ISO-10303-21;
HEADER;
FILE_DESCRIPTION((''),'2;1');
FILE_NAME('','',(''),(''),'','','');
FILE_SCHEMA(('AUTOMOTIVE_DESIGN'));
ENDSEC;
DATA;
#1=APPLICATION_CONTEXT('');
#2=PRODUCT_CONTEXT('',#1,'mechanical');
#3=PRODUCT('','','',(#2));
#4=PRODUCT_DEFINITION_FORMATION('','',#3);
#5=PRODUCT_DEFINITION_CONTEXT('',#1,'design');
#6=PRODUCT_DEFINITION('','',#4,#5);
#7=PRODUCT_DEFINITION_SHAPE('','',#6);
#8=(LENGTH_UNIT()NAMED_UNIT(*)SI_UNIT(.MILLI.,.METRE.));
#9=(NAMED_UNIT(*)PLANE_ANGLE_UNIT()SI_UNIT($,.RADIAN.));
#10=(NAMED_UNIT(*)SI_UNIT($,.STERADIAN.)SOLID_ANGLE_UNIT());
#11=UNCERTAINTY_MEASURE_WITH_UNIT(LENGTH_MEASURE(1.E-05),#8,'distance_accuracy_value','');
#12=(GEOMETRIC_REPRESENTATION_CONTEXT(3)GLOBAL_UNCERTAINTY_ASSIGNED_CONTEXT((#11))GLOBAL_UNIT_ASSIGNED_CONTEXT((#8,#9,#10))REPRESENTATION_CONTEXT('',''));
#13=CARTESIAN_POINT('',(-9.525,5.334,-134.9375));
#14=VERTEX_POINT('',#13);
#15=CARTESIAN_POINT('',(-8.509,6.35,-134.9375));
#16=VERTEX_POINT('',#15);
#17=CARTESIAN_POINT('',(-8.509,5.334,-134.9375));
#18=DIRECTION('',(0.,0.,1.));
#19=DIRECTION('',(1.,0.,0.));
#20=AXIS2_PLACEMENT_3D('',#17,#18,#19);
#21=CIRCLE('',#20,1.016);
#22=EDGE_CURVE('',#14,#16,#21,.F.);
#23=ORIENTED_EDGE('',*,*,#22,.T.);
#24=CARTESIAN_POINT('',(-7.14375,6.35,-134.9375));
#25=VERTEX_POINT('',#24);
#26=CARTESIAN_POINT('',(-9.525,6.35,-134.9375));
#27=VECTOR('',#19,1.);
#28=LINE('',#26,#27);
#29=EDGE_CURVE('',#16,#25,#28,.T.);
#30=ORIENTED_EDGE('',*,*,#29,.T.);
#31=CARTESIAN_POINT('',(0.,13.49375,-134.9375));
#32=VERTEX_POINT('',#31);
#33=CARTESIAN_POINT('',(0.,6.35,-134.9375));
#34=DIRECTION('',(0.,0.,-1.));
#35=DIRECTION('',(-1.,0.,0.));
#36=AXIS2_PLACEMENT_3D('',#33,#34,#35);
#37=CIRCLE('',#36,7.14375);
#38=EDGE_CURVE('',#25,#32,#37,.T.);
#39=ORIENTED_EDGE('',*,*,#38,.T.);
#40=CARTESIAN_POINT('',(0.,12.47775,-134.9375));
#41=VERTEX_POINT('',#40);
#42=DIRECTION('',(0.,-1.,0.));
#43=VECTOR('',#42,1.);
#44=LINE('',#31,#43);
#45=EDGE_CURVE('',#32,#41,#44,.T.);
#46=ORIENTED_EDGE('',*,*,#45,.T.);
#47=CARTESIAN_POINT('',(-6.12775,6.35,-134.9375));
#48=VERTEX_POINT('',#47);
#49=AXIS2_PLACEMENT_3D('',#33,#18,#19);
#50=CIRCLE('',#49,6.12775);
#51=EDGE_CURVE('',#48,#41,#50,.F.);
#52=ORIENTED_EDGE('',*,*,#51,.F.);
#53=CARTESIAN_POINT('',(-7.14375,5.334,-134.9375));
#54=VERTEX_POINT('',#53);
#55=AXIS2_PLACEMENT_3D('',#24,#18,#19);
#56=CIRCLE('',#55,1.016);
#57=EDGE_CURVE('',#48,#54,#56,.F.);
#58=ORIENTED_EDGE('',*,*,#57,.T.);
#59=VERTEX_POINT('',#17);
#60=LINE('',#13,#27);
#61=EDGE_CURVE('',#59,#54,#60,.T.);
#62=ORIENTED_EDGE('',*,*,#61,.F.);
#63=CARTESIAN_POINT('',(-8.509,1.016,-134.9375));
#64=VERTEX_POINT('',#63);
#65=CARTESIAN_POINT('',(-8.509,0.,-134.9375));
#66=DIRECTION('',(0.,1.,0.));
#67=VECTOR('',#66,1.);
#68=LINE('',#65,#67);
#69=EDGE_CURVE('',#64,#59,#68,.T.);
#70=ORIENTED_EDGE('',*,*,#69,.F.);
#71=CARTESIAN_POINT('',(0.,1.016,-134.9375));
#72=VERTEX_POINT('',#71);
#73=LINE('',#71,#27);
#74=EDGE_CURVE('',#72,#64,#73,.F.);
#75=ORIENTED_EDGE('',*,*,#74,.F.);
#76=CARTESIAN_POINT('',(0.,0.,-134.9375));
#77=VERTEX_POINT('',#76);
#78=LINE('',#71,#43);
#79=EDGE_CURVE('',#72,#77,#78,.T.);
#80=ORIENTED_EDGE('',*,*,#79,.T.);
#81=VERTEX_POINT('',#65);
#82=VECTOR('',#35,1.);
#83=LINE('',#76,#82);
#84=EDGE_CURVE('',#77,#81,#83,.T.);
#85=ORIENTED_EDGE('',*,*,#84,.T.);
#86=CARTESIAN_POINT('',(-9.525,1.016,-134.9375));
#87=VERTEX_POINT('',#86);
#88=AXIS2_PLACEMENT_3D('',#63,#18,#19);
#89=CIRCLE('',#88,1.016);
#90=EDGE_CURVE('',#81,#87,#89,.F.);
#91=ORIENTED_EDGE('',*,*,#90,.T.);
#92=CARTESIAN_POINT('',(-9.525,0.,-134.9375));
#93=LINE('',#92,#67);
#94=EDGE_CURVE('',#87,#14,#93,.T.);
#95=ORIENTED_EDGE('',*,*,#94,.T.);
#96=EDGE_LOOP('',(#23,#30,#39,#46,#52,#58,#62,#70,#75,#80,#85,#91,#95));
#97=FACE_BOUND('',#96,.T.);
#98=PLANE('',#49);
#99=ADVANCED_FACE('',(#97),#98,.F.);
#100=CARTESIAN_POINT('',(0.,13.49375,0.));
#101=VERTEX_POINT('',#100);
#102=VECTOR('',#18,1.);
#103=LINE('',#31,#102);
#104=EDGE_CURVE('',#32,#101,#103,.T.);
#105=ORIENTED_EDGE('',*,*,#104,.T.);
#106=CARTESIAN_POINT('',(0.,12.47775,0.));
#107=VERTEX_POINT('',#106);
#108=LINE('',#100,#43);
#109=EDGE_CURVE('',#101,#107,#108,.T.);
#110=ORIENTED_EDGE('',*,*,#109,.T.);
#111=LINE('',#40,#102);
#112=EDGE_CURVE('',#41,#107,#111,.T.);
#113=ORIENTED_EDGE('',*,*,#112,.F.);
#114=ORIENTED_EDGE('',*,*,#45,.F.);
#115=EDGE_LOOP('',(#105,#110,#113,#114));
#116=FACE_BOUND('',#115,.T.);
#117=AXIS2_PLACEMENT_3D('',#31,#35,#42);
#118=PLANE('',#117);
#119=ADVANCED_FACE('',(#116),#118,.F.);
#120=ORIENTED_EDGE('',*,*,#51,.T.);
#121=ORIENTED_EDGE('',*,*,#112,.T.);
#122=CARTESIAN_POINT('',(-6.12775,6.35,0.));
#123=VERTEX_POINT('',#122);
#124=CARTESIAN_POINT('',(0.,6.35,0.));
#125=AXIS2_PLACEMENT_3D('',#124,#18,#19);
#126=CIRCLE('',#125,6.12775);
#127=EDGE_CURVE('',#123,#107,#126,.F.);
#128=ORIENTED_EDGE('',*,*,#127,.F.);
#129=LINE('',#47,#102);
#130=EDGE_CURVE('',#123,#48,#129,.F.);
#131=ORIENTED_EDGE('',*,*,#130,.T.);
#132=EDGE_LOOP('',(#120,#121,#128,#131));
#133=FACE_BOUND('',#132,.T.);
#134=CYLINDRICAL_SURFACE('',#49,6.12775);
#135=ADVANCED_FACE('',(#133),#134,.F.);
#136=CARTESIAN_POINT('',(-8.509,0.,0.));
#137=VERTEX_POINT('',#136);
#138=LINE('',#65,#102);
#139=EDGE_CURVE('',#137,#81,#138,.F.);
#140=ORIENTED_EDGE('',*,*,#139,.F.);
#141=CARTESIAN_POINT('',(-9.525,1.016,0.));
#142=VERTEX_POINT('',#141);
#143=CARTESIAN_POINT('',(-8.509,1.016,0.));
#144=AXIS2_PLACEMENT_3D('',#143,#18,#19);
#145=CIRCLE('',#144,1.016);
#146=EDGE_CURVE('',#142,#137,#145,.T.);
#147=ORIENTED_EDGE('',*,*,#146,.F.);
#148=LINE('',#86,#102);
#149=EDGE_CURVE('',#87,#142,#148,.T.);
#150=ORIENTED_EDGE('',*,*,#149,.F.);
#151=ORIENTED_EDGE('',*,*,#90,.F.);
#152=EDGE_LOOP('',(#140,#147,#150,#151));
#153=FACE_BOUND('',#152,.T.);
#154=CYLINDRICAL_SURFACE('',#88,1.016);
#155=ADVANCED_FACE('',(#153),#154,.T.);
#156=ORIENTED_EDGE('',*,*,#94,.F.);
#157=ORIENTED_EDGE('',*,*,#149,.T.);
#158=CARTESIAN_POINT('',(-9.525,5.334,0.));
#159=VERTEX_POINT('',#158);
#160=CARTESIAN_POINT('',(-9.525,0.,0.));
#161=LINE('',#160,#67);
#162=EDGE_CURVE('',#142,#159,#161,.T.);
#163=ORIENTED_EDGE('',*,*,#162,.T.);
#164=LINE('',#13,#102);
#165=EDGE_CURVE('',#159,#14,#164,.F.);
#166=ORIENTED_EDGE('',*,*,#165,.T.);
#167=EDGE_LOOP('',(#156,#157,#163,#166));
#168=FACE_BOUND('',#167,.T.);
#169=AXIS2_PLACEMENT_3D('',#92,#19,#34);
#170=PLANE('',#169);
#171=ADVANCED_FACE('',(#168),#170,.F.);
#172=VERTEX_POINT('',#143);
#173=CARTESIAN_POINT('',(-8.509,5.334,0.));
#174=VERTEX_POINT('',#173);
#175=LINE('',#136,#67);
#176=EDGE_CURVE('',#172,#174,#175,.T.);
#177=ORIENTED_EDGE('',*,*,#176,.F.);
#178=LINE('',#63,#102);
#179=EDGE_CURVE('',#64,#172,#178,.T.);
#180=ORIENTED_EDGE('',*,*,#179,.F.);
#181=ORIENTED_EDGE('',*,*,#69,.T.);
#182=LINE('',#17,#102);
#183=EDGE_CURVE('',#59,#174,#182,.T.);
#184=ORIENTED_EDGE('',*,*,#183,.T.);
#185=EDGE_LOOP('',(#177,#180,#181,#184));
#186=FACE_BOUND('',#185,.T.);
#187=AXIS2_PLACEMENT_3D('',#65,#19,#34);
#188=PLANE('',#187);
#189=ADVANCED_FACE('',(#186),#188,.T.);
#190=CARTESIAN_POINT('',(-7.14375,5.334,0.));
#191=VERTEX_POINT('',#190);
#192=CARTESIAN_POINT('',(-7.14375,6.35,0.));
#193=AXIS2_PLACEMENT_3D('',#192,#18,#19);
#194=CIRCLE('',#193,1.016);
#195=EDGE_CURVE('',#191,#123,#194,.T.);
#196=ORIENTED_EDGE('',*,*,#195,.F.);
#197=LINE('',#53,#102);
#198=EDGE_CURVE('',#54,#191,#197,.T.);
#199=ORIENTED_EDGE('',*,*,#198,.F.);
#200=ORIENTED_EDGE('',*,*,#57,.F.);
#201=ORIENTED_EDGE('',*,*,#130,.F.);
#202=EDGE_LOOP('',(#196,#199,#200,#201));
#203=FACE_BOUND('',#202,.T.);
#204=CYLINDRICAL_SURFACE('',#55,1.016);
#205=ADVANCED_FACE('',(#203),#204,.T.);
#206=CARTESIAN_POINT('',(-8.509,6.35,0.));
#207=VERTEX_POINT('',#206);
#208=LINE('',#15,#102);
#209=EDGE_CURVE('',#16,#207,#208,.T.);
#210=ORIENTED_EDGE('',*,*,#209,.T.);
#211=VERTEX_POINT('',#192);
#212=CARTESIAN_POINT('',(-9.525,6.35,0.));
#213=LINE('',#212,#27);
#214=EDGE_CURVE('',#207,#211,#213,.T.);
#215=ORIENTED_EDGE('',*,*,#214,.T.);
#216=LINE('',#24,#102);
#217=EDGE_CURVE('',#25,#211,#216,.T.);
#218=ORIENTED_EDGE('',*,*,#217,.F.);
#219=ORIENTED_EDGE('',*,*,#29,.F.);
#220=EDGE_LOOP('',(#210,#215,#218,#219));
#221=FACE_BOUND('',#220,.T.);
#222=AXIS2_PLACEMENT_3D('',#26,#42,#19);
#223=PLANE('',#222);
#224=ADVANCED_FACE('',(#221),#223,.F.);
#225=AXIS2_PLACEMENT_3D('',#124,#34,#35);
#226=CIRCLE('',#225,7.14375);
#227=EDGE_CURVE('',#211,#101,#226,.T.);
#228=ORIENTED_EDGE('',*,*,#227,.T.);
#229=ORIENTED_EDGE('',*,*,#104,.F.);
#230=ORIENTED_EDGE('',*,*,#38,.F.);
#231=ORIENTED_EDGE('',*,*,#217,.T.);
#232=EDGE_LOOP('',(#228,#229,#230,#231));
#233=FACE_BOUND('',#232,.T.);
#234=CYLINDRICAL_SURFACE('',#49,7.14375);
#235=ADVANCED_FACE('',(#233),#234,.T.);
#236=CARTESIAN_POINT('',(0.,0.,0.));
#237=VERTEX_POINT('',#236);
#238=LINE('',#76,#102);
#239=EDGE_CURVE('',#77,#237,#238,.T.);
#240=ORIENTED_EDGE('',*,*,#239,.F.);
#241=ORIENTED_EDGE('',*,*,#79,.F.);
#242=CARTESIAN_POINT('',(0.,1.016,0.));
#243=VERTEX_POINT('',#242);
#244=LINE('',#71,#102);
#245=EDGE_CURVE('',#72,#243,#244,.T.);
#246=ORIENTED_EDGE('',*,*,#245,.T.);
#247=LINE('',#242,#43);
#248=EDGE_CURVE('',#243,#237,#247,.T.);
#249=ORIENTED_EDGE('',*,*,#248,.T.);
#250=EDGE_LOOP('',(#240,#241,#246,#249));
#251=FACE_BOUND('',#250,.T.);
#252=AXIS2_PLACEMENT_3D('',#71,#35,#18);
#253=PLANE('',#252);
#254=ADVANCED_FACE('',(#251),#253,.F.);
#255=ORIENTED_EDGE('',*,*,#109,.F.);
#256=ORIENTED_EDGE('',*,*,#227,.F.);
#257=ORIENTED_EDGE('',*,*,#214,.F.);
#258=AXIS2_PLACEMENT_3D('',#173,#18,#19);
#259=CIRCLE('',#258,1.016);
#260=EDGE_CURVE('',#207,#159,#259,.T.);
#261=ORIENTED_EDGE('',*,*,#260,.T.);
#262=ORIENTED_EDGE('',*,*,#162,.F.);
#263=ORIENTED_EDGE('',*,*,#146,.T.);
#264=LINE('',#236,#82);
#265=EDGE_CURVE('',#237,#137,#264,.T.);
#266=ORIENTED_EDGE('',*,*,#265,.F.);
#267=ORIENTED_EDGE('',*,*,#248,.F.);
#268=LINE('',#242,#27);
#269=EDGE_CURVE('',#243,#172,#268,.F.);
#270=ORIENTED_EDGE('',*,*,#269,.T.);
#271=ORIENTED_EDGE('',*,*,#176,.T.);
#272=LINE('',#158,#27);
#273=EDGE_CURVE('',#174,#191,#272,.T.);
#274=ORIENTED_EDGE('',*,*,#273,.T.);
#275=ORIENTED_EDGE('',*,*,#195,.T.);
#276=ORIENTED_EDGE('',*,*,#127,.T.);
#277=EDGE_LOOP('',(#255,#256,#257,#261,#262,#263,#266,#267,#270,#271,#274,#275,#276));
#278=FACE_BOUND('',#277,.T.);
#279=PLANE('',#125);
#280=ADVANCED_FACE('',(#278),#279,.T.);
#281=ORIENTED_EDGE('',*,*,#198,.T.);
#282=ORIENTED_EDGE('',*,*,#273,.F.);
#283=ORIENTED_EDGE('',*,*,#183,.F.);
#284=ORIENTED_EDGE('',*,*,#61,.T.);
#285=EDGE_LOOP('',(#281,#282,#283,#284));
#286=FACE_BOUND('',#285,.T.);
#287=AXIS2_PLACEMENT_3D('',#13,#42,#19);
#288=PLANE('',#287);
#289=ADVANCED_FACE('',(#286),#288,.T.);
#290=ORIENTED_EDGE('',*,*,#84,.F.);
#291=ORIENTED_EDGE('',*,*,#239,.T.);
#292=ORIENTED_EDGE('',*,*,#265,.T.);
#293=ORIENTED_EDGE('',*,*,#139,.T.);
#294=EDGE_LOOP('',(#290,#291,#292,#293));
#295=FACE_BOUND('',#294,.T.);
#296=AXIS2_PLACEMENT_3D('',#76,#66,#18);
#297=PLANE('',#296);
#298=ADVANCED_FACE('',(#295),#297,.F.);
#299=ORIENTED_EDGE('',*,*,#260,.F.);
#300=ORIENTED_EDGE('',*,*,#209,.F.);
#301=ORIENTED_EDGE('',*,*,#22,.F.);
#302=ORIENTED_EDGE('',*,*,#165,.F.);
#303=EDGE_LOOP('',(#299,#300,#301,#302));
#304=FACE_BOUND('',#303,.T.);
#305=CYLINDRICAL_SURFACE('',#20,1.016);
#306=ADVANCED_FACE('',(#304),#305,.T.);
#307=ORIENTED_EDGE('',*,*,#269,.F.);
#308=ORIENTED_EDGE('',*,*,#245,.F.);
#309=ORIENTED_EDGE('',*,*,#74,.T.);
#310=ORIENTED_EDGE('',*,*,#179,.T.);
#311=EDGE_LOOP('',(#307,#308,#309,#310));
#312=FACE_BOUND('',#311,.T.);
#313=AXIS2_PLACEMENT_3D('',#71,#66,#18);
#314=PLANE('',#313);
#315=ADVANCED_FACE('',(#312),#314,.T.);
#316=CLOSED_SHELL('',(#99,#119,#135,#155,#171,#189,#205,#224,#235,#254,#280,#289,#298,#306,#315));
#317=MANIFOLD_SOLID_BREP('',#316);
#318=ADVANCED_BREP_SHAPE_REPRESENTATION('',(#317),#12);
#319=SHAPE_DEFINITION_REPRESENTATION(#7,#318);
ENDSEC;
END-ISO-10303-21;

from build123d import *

# Parameters (mm, degrees)
EXTRUDE_THIN1_DEPTH = 134.9375
FILLET1_R           = 1.016


with BuildPart() as part:
    # Sketch1 → Extrude-Thin1 (new body)
    with BuildSketch(Plane.XY):
        with BuildLine():
            Line((0, 0), (-9.525, 0))
            Line((-9.525, 0), (-9.525, 6.35))
            Line((-9.525, 6.35), (-7.14375, 6.35))
            ThreePointArc((-7.14375, 6.35), (-5.051394068, 11.401394068), (0, 13.49375))
            Line((0, 13.49375), (0, 12.47775))
            ThreePointArc((0, 12.47775), (-4.678413944, 10.30749454), (-6.042935054, 5.334))
            Line((-6.042935054, 5.334), (-8.509, 5.334))
            Line((-8.509, 5.334), (-8.509, 1.016))
            Line((-8.509, 1.016), (0, 1.016))
            Line((0, 1.016), (0, 0))
        make_face()
    extrude(amount=-EXTRUDE_THIN1_DEPTH)

    # Fillet1
    fillet1_edges = [part.edges().sort_by_distance(p)[0] for p in [
        (-6.042935054, 5.334, -67.46875),
        (-9.525, 0, -67.46875),
        (-9.525, 6.35, -67.46875),
    ]]
    fillet(fillet1_edges, radius=FILLET1_R)


solid = part.part
